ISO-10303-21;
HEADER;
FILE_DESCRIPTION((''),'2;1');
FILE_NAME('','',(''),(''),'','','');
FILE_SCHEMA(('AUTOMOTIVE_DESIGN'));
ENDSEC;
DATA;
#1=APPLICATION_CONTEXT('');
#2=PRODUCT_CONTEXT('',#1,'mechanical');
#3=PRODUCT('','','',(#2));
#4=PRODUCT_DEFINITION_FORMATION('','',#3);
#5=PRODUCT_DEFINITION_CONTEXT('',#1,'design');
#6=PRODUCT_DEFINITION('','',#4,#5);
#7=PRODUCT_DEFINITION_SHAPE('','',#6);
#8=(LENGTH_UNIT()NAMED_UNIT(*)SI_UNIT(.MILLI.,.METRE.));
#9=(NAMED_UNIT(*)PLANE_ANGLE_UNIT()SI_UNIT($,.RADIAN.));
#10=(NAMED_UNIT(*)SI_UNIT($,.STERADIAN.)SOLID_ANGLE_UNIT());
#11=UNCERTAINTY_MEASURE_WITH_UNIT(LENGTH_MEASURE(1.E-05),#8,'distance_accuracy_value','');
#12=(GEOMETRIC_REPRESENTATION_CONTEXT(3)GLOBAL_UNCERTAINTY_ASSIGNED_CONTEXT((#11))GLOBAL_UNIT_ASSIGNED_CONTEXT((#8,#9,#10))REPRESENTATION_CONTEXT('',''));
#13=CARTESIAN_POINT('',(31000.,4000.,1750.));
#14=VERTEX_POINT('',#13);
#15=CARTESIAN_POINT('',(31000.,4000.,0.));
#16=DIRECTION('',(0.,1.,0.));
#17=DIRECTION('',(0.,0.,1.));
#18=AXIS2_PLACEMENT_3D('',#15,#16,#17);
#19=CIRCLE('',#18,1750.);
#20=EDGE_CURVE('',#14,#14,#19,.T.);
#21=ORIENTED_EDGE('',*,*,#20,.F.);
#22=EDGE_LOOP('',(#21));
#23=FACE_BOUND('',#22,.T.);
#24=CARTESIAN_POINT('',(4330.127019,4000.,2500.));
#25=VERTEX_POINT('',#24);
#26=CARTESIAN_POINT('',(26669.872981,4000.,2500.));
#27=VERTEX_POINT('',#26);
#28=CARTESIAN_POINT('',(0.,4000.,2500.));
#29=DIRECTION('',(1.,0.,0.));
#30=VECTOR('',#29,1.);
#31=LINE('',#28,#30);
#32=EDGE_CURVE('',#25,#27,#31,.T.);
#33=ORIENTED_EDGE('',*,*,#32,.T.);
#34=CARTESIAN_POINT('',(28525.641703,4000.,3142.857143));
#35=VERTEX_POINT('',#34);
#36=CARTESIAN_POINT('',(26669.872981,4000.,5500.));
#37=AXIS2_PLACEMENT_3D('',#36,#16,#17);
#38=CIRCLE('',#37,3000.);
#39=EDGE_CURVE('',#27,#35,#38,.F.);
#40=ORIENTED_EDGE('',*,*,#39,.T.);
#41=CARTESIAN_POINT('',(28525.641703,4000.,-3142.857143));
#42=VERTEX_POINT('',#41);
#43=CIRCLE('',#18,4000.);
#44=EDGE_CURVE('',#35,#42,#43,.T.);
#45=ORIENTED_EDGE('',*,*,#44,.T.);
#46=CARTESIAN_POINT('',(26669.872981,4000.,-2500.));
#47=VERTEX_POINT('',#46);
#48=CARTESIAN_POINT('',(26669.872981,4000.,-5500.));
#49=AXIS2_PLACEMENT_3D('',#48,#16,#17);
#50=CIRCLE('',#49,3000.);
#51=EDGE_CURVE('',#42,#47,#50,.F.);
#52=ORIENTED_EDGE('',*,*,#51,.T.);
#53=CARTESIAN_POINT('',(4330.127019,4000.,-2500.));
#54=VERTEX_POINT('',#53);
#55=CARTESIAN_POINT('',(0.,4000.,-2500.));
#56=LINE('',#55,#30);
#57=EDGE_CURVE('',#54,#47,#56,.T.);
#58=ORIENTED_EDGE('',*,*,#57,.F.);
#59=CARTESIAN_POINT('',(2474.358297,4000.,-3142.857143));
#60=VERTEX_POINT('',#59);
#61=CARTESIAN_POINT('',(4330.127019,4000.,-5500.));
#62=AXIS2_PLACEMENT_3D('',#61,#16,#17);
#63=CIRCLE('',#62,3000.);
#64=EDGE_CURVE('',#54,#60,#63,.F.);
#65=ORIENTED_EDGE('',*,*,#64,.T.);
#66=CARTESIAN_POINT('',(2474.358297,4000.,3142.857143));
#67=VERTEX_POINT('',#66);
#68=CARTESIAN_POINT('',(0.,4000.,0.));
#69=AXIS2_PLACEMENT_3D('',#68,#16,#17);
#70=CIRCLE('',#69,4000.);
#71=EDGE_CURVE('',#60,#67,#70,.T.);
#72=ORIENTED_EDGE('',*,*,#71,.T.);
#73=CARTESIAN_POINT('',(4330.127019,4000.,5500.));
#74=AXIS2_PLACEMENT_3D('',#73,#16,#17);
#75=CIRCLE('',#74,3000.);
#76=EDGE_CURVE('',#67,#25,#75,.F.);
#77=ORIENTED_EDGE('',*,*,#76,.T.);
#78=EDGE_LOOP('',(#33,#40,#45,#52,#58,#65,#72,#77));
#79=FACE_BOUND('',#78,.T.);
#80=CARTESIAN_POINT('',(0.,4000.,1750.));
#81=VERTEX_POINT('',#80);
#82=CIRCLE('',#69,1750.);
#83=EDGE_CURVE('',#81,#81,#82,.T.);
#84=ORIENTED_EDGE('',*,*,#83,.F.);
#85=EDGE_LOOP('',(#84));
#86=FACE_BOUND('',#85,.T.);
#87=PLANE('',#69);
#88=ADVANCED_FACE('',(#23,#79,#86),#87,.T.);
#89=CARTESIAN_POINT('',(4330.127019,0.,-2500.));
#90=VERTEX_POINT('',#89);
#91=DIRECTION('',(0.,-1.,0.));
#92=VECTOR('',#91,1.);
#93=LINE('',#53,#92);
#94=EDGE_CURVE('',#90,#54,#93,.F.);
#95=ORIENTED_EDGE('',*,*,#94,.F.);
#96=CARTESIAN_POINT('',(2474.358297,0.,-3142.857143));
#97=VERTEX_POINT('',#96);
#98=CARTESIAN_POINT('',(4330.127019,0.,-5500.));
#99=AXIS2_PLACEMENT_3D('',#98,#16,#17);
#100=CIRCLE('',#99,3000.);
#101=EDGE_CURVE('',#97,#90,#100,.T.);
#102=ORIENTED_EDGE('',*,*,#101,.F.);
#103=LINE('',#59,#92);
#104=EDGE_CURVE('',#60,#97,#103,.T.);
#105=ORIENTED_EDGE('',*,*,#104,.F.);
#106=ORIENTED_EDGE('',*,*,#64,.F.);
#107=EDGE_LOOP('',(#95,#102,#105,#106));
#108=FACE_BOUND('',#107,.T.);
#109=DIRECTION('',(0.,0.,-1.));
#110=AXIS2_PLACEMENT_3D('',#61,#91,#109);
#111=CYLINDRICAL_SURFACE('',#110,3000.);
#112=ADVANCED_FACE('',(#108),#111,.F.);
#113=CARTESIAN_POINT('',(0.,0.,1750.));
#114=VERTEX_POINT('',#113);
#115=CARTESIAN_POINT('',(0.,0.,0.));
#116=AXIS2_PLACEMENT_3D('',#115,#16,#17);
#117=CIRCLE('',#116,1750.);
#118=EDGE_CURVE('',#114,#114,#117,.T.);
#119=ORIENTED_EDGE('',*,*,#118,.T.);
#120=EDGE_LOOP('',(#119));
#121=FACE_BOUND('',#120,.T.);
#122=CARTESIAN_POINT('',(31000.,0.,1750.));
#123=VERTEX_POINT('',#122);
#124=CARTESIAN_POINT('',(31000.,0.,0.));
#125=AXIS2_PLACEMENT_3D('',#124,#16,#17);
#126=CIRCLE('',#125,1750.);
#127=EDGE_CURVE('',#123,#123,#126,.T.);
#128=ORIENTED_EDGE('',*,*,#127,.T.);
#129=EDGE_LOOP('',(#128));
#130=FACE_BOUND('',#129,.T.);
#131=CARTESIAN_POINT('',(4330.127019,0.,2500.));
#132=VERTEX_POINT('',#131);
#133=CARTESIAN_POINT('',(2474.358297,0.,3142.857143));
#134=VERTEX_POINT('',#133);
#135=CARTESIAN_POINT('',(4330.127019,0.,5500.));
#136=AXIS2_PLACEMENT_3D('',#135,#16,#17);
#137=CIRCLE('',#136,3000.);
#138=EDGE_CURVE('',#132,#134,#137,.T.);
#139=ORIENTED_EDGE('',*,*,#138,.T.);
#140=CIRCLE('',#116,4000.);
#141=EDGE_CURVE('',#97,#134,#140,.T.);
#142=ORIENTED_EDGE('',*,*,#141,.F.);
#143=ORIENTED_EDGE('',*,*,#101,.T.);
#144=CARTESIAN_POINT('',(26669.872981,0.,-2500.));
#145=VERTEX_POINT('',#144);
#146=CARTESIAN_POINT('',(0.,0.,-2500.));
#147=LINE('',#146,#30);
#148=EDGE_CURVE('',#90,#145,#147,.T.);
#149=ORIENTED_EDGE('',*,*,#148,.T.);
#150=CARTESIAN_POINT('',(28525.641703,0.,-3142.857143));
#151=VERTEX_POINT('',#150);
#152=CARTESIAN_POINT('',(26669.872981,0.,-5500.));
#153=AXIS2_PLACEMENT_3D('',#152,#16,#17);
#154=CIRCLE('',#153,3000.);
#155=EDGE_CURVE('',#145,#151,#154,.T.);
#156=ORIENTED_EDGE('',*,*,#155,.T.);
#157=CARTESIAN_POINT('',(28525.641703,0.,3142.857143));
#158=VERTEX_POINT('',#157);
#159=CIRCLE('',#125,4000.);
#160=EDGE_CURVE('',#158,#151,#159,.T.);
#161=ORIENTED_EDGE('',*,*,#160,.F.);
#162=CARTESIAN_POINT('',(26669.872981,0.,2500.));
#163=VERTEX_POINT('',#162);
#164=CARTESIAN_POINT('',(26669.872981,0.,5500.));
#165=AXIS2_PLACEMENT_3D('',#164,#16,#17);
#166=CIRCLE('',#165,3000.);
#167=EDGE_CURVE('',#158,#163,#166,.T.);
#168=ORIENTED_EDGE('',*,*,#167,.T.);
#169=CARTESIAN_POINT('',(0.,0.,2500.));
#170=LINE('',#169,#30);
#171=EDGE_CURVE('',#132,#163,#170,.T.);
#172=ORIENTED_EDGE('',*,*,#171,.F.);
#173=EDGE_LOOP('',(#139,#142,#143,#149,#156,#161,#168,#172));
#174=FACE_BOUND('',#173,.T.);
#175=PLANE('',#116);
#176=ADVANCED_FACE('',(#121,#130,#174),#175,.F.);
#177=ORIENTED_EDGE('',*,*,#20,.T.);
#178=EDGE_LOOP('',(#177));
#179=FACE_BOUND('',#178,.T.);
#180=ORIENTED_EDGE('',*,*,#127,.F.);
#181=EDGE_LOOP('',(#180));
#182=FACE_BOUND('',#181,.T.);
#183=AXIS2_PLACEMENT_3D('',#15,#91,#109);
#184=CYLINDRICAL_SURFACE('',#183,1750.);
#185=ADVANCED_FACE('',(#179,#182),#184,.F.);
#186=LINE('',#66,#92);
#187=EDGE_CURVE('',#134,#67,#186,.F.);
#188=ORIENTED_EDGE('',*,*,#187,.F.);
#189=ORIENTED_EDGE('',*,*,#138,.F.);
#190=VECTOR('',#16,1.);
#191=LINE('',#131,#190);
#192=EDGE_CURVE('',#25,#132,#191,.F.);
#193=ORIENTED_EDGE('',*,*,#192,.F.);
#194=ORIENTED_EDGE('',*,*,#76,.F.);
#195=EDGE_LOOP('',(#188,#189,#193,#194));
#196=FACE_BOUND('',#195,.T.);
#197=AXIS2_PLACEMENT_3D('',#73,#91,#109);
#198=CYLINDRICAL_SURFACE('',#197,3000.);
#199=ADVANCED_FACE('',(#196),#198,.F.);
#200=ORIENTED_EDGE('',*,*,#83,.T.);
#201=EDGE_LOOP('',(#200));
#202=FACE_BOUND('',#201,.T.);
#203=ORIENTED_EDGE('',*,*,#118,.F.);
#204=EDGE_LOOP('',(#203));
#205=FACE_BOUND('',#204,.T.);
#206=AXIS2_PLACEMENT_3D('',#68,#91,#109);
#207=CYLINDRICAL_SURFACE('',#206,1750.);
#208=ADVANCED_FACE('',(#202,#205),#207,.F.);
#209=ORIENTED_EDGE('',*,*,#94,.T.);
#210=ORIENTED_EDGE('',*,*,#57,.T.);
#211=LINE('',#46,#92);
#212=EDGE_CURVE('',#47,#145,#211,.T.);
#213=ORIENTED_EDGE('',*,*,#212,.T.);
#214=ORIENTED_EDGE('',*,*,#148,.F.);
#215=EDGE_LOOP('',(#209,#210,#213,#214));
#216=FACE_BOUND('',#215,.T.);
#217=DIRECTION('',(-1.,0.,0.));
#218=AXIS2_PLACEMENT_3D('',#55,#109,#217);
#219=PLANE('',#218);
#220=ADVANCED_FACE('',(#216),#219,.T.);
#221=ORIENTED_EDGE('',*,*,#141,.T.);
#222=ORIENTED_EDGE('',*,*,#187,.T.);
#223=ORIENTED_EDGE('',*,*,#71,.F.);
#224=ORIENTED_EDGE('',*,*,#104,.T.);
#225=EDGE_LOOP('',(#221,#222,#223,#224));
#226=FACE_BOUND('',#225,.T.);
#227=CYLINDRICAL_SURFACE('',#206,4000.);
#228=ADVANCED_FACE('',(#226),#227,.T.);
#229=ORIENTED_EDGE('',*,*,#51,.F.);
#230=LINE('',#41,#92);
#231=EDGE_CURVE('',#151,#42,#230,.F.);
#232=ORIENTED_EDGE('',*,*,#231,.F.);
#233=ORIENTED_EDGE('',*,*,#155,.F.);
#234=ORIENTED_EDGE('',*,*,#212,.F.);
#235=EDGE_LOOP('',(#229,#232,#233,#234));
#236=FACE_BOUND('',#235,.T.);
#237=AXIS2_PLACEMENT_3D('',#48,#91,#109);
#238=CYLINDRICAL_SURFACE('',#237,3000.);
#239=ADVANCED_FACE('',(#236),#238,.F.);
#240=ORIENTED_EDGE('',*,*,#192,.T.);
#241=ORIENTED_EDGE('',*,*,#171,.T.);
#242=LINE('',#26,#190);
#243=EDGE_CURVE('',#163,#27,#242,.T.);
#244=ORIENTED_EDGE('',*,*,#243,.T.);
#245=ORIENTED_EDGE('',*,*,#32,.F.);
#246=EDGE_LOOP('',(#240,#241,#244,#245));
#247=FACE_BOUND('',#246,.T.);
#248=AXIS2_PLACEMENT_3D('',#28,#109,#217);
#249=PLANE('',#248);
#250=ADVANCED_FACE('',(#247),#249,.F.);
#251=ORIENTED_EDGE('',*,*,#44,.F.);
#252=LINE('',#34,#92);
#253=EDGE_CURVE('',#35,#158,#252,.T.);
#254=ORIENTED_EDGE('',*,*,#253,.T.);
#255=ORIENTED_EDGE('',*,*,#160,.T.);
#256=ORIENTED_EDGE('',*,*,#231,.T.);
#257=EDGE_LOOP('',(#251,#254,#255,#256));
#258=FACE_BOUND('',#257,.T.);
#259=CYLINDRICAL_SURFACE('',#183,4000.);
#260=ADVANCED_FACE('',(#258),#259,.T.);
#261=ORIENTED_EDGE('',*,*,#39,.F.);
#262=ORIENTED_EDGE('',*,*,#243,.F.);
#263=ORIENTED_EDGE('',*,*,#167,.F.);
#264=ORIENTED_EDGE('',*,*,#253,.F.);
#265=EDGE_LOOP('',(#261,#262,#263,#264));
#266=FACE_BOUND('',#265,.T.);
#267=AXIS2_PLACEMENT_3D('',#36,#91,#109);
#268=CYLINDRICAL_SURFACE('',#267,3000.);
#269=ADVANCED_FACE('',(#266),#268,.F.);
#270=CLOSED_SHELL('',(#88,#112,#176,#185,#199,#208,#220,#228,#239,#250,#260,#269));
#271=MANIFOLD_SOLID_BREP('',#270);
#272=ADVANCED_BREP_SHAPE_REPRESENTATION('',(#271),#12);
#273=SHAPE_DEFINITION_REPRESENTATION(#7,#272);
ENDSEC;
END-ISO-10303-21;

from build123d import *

# Parameters (mm, degrees)
SKETCH1_R           = 1750
BOSS_EXTRUDE1_DEPTH = 4000
FILLET1_R           = 3000


with BuildPart() as part:
    # Sketch1 → Boss-Extrude1 (new body)
    with BuildSketch(Plane(origin=(0, 0, 0), x_dir=(1, 0, 0), z_dir=(0, 1, 0))):
        with BuildLine():
            Line((27877.501000801, 2500), (3122.498999199, 2500))
            ThreePointArc((3122.498999199, 2500), (-4000, 0), (3122.498999199, -2500))
            Line((3122.498999199, -2500), (27877.501000801, -2500))
            ThreePointArc((27877.501000801, -2500), (35000, 0), (27877.501000801, 2500))
        make_face()
        Circle(SKETCH1_R, mode=Mode.SUBTRACT)
        with Locations((31000, 0)):
            Circle(SKETCH1_R, mode=Mode.SUBTRACT)
    extrude(amount=BOSS_EXTRUDE1_DEPTH)

    # Fillet1
    fillet1_edges = [part.edges().sort_by_distance(p)[0] for p in [
        (27877.501000801, 2000, 2500),
        (3122.498999199, 2000, 2500),
        (3122.498999199, 2000, -2500),
        (27877.501000801, 2000, -2500),
    ]]
    fillet(fillet1_edges, radius=FILLET1_R)


solid = part.part
